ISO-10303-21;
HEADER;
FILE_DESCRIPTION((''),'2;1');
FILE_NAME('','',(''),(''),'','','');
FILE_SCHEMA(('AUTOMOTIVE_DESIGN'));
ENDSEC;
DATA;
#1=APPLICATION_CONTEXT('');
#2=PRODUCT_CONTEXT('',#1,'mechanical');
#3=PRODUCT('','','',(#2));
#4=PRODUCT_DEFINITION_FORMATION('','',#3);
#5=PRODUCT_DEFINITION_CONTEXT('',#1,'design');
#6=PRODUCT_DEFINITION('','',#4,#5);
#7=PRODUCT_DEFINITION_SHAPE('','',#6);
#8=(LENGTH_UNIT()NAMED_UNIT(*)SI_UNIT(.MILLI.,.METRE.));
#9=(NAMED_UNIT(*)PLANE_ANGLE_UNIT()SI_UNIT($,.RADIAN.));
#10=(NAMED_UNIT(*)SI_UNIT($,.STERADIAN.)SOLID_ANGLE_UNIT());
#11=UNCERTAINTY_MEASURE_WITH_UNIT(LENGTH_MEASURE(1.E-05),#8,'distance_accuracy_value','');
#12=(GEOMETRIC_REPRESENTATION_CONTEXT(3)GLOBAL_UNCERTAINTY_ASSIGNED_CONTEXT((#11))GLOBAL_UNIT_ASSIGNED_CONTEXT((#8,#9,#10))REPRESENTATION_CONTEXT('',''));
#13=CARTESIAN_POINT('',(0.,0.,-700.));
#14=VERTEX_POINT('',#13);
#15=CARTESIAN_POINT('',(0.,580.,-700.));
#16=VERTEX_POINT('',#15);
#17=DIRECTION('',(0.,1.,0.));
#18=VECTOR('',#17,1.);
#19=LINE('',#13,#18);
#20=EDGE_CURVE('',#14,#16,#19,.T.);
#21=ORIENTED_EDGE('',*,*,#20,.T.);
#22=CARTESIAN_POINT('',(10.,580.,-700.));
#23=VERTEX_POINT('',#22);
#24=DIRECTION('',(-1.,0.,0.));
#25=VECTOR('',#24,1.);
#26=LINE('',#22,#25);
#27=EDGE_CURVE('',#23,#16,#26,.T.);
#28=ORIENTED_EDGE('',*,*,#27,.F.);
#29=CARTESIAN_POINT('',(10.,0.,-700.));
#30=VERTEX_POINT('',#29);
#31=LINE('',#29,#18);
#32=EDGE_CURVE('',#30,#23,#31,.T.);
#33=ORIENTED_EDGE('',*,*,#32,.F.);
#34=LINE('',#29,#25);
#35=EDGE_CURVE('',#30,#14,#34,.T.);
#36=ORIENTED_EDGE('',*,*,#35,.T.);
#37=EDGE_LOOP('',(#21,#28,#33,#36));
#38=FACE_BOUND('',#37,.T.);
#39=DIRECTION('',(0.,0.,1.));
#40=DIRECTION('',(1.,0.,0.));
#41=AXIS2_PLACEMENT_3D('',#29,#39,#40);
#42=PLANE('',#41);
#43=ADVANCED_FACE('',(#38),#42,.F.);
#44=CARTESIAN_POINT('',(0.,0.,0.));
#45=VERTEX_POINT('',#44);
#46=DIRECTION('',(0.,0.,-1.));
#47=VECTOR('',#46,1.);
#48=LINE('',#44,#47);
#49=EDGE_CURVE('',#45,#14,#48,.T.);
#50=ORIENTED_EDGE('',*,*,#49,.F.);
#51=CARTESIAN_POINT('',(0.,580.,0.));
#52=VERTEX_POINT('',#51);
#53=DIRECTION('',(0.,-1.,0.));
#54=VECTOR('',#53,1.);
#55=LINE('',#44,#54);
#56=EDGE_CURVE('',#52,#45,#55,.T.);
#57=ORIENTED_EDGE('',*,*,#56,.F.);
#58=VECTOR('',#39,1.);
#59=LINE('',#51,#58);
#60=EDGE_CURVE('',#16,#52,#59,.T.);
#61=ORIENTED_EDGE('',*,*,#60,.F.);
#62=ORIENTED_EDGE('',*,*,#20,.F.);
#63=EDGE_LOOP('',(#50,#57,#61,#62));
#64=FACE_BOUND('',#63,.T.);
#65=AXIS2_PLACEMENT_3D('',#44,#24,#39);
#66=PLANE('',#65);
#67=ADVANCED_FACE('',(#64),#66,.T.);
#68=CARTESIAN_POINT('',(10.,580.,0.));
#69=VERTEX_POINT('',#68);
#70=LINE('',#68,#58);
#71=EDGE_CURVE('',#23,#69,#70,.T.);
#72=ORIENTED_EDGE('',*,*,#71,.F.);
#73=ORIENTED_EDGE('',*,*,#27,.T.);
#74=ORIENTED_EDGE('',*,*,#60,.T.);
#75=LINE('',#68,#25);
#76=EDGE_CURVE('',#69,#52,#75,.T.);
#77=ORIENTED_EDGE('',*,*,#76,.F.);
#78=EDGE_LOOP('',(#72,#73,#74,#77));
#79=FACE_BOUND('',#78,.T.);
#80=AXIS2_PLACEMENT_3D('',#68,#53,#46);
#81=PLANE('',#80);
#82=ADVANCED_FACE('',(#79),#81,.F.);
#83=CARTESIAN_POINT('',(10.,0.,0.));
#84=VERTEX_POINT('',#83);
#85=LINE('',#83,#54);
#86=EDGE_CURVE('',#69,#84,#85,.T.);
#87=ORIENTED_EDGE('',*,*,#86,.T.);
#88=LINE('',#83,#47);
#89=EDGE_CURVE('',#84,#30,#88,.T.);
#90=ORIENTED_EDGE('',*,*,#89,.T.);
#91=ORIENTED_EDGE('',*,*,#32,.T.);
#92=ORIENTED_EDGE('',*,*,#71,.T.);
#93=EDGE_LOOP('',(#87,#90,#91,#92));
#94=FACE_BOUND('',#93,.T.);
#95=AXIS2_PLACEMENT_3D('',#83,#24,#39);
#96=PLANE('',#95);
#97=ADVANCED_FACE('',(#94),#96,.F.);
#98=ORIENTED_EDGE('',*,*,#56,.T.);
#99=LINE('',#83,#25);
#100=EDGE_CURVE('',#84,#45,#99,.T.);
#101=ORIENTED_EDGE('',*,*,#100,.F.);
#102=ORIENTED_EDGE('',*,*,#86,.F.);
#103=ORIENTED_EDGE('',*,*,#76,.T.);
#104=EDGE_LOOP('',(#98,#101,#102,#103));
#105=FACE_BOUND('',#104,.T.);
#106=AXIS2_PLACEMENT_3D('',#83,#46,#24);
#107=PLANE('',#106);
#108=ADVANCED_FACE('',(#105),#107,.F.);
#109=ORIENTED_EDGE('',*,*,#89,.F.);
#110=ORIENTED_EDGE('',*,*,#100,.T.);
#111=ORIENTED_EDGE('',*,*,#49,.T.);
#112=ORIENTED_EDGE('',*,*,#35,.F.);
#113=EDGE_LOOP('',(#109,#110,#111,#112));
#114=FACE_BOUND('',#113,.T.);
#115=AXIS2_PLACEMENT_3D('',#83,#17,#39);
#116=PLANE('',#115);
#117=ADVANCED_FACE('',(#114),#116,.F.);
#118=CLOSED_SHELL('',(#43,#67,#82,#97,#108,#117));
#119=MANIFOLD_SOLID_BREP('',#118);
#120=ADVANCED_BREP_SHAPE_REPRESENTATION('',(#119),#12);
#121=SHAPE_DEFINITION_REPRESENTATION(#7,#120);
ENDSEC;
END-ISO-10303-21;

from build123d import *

# Parameters (mm, degrees)
SKETCH_1_W      = 700
SKETCH_1_H      = 580
EXTRUDE_1_DEPTH = 10


with BuildPart() as part:
    # 草图1 → 凸台-拉伸1 (new body)
    with BuildSketch(Plane(origin=(0, 0, 0), x_dir=(0, 0, -1), z_dir=(1, 0, 0))):
        with Locations((350, 290)):
            Rectangle(SKETCH_1_W, SKETCH_1_H)
    extrude(amount=EXTRUDE_1_DEPTH)


solid = part.part
